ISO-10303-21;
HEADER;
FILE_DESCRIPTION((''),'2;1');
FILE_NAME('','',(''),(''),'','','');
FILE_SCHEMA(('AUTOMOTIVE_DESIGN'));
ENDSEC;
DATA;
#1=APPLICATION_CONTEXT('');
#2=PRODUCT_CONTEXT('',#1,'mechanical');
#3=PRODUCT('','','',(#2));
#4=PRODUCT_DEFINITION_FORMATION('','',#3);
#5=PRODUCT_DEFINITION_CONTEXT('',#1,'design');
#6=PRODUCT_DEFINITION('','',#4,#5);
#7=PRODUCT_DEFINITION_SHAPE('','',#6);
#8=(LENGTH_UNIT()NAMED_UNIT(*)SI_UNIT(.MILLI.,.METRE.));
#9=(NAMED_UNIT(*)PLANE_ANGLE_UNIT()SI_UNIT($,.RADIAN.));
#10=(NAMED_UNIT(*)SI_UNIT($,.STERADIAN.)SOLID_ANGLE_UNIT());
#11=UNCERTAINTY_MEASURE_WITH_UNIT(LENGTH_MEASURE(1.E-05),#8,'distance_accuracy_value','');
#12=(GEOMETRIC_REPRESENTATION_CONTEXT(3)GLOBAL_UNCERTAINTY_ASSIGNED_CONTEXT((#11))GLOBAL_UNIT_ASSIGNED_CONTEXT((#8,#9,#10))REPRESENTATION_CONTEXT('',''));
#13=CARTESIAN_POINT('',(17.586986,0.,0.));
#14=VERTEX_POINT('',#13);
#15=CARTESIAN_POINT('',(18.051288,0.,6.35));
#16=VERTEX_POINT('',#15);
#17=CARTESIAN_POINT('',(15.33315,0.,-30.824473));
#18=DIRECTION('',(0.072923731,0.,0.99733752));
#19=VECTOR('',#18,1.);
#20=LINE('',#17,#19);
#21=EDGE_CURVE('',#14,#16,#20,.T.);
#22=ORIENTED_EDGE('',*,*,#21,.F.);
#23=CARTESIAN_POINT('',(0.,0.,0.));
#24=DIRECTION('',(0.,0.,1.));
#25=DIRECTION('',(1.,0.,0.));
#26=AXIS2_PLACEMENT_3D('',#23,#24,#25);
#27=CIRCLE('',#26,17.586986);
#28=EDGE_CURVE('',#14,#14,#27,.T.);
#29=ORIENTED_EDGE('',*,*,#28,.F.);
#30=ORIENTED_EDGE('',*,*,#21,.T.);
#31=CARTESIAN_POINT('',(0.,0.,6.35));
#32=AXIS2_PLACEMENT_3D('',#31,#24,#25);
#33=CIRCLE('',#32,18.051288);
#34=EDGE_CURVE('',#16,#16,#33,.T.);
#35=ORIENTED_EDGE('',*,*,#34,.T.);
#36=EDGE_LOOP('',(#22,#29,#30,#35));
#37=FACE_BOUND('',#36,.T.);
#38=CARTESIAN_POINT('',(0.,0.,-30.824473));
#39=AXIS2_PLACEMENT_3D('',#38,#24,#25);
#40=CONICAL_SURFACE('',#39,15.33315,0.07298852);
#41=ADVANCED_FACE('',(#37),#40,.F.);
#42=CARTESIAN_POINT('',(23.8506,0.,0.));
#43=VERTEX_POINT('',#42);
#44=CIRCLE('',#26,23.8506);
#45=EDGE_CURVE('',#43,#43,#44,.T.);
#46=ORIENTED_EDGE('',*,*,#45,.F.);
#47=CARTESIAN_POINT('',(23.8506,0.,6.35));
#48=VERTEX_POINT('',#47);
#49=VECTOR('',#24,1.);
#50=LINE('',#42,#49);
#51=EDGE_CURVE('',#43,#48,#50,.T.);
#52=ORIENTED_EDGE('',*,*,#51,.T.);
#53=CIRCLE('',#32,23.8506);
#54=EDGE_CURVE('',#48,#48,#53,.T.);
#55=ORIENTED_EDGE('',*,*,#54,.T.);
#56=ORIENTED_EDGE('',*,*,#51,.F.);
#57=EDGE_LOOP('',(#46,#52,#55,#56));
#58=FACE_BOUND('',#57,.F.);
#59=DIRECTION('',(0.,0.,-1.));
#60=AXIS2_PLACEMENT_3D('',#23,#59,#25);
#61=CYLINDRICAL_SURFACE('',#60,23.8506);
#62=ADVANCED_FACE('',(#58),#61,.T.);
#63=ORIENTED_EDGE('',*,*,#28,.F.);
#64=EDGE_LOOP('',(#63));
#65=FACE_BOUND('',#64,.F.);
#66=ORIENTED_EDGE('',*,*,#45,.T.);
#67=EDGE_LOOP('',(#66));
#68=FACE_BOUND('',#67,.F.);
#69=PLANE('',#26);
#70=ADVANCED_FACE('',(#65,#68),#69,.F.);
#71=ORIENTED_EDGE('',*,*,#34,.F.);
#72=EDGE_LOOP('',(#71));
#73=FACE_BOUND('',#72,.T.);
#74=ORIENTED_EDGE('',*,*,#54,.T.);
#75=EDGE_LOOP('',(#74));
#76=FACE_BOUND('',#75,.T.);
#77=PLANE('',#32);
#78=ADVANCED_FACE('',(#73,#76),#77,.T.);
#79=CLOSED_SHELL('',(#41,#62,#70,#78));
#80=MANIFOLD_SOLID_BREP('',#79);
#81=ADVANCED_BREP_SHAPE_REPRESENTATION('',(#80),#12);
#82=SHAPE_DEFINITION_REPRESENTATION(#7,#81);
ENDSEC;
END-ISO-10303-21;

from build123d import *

# Parameters (mm, degrees)
F0_R     = 23.8506
F0_R_2   = 15.875
F1_DEPTH = 6.35


with BuildPart() as f1:
    # F0 (on Top) → F1 (new body)
    with BuildSketch(Plane.XY):
        Circle(F0_R)
        Circle(F0_R_2, mode=Mode.SUBTRACT)
    extrude(amount=F1_DEPTH)

    # F2 (on Front) → F4 (revolve, cut)
    with BuildSketch(Plane.XZ):
        Polygon((18.428318, 11.506427), (15.33315, 11.503193), (15.33315, -30.824473), align=None)
    revolve(axis=Axis((0, 0, -4.185322), (0, 0, -1)), mode=Mode.SUBTRACT)


solid = f1.part
